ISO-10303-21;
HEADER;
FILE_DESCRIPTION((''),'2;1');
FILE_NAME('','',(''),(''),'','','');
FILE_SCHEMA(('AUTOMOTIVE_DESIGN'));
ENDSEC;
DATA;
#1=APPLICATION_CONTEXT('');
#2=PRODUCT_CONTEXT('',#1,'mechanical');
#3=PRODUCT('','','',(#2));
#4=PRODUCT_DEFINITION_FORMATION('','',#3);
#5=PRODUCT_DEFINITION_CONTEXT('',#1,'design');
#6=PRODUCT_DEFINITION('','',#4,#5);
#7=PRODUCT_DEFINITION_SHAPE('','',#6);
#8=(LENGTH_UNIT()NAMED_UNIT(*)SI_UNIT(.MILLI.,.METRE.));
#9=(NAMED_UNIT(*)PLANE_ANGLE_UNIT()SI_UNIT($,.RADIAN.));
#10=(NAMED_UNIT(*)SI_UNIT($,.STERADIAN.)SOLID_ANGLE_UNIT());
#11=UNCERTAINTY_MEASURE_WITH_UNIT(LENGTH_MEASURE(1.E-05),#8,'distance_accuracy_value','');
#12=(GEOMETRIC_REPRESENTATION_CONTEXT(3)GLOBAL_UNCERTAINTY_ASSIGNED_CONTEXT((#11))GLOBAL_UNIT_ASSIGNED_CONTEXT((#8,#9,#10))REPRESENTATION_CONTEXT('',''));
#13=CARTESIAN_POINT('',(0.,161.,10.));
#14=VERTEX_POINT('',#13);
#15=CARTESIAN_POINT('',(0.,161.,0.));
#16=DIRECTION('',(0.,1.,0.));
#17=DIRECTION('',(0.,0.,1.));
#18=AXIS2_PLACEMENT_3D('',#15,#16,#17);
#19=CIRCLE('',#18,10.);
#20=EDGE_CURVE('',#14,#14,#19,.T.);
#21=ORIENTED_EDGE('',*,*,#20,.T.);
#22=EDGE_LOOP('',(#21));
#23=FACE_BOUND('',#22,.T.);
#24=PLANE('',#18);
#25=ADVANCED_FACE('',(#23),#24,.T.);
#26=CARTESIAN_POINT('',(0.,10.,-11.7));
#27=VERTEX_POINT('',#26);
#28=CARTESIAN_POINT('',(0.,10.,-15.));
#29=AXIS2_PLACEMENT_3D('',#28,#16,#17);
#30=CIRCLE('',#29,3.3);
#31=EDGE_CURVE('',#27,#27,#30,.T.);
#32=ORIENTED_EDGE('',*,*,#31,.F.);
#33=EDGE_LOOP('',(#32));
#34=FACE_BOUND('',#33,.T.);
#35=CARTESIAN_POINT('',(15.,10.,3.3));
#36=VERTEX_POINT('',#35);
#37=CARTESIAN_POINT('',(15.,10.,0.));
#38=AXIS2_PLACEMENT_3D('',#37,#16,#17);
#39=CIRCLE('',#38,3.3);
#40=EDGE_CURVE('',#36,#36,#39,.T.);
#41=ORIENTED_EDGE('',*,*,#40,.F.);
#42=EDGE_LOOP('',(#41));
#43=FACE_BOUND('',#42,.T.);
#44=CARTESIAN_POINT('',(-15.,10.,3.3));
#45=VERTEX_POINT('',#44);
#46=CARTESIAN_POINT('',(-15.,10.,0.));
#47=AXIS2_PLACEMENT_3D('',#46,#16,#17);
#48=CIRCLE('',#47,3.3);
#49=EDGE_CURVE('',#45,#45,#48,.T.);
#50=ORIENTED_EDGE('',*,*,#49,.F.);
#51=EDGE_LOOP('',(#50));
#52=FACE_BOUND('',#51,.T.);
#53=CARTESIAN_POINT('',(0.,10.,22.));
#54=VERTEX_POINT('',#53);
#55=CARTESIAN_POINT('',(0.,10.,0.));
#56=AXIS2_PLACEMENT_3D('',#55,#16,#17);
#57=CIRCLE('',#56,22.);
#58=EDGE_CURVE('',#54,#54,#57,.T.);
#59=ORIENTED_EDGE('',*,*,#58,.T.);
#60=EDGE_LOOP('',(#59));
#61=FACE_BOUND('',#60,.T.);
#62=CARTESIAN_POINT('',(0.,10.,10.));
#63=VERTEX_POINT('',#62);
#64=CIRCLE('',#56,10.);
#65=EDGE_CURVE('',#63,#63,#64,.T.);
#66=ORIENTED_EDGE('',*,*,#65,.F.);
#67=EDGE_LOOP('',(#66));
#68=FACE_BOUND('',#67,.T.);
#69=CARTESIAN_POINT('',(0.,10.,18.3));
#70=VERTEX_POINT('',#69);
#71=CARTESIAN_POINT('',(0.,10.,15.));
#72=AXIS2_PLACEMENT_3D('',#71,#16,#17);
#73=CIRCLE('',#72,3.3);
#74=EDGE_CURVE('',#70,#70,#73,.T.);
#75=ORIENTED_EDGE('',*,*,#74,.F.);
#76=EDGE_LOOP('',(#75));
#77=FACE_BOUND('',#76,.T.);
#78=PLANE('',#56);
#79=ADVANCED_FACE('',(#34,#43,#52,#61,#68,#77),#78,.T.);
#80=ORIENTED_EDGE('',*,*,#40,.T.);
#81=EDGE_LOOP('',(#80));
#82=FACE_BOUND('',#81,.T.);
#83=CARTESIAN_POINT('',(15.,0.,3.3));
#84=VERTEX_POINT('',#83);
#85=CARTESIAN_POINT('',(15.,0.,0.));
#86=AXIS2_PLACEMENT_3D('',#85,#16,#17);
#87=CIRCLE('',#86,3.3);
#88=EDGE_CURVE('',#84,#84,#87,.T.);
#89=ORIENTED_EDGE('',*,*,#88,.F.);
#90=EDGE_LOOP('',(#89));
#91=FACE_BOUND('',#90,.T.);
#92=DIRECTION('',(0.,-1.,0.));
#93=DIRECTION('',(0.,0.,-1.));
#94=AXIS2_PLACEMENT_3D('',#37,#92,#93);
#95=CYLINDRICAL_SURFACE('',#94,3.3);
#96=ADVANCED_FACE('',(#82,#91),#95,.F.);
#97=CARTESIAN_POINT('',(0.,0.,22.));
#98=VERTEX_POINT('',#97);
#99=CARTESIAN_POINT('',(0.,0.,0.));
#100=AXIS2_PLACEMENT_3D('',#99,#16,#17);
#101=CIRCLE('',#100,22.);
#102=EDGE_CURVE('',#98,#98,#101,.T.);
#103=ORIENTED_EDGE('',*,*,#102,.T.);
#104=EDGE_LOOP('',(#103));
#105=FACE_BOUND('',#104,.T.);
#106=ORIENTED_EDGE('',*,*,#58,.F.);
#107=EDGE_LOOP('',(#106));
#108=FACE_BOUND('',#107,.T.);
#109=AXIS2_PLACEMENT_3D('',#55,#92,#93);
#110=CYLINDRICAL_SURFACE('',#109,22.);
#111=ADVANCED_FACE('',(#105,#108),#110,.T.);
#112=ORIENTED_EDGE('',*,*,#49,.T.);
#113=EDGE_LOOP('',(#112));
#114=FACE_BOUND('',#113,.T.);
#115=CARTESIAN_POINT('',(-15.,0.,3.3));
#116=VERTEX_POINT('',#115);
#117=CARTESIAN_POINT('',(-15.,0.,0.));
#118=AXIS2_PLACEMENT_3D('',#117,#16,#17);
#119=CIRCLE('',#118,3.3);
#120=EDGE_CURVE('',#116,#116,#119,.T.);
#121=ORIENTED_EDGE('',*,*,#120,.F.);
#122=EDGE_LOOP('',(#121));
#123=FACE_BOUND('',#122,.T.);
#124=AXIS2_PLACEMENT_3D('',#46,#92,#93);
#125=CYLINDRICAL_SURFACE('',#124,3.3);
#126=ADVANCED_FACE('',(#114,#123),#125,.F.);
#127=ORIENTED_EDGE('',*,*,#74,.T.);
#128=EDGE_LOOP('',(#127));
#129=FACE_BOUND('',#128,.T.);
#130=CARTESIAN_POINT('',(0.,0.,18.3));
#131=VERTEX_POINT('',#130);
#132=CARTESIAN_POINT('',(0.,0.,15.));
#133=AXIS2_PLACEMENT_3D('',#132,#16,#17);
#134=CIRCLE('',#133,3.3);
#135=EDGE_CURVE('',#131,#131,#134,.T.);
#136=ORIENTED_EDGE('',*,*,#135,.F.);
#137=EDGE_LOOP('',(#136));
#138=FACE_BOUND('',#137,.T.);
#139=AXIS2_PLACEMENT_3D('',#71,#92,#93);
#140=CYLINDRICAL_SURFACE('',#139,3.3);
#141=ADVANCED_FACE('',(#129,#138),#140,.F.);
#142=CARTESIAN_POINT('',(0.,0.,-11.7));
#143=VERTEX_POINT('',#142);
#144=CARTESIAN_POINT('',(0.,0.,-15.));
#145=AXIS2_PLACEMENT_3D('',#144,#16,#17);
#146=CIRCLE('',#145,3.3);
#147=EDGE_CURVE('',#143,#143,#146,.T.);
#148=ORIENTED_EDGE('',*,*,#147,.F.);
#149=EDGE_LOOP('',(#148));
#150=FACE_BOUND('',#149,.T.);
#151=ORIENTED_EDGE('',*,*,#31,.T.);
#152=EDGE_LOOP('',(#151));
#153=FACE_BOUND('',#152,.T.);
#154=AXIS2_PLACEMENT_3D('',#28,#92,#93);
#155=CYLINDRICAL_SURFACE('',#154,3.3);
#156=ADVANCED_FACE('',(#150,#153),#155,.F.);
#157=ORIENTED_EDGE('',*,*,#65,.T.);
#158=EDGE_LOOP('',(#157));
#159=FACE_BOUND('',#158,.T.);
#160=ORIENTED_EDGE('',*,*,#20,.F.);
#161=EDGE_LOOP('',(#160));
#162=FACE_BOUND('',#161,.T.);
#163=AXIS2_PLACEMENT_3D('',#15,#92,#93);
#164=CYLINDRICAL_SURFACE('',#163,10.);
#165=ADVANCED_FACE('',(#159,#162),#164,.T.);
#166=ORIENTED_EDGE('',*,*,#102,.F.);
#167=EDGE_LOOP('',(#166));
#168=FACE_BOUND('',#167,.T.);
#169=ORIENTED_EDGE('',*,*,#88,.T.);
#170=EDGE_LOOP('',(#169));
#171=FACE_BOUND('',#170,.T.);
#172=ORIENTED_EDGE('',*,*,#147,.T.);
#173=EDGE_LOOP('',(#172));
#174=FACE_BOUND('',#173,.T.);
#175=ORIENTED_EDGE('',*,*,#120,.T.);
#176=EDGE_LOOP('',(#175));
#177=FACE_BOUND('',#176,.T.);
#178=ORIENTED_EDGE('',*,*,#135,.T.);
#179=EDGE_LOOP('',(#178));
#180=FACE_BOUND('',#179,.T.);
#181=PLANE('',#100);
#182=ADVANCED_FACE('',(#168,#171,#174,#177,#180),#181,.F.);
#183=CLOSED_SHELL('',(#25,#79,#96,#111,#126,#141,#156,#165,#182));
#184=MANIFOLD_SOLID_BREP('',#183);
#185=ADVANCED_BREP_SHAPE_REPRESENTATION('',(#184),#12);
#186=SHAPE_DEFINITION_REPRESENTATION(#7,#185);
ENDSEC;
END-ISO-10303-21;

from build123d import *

# Parameters (mm, degrees)
SKETCH1_R                                 = 10
OUTPUT_SHAFT_20MM_DEPTH                   = 161
SKETCH2_R                                 = 22
SKETCH2_R_2                               = 3.3
OUTPUT_LOWER_FLANGE_WITH_BOLT_HOLES_DEPTH = 10


with BuildPart() as part:
    # Sketch1 → Output_Shaft_20mm (new body)
    with BuildSketch(Plane(origin=(0, 0, 0), x_dir=(1, 0, 0), z_dir=(0, 1, 0))):
        with Locations(Location((0, 0, 0), (0, 0, 270))):
            Circle(SKETCH1_R)
    extrude(amount=OUTPUT_SHAFT_20MM_DEPTH)

    # Sketch2 → Output_Lower_Flange_With_Bolt_Holes (add)
    with BuildSketch(Plane(origin=(0, 0, 0), x_dir=(1, 0, 0), z_dir=(0, 1, 0))):
        with Locations(Location((0, 0, 0), (0, 0, 270))):
            Circle(SKETCH2_R)
        with Locations(Location((-15, 0, 0), (0, 0, 270))):
            Circle(SKETCH2_R_2, mode=Mode.SUBTRACT)
        with Locations(Location((15, 0, 0), (0, 0, 270))):
            Circle(SKETCH2_R_2, mode=Mode.SUBTRACT)
        with Locations(Location((0, -15, 0), (0, 0, 270))):
            Circle(SKETCH2_R_2, mode=Mode.SUBTRACT)
        with Locations(Location((0, 15, 0), (0, 0, 270))):
            Circle(SKETCH2_R_2, mode=Mode.SUBTRACT)
    extrude(amount=OUTPUT_LOWER_FLANGE_WITH_BOLT_HOLES_DEPTH)


solid = part.part
